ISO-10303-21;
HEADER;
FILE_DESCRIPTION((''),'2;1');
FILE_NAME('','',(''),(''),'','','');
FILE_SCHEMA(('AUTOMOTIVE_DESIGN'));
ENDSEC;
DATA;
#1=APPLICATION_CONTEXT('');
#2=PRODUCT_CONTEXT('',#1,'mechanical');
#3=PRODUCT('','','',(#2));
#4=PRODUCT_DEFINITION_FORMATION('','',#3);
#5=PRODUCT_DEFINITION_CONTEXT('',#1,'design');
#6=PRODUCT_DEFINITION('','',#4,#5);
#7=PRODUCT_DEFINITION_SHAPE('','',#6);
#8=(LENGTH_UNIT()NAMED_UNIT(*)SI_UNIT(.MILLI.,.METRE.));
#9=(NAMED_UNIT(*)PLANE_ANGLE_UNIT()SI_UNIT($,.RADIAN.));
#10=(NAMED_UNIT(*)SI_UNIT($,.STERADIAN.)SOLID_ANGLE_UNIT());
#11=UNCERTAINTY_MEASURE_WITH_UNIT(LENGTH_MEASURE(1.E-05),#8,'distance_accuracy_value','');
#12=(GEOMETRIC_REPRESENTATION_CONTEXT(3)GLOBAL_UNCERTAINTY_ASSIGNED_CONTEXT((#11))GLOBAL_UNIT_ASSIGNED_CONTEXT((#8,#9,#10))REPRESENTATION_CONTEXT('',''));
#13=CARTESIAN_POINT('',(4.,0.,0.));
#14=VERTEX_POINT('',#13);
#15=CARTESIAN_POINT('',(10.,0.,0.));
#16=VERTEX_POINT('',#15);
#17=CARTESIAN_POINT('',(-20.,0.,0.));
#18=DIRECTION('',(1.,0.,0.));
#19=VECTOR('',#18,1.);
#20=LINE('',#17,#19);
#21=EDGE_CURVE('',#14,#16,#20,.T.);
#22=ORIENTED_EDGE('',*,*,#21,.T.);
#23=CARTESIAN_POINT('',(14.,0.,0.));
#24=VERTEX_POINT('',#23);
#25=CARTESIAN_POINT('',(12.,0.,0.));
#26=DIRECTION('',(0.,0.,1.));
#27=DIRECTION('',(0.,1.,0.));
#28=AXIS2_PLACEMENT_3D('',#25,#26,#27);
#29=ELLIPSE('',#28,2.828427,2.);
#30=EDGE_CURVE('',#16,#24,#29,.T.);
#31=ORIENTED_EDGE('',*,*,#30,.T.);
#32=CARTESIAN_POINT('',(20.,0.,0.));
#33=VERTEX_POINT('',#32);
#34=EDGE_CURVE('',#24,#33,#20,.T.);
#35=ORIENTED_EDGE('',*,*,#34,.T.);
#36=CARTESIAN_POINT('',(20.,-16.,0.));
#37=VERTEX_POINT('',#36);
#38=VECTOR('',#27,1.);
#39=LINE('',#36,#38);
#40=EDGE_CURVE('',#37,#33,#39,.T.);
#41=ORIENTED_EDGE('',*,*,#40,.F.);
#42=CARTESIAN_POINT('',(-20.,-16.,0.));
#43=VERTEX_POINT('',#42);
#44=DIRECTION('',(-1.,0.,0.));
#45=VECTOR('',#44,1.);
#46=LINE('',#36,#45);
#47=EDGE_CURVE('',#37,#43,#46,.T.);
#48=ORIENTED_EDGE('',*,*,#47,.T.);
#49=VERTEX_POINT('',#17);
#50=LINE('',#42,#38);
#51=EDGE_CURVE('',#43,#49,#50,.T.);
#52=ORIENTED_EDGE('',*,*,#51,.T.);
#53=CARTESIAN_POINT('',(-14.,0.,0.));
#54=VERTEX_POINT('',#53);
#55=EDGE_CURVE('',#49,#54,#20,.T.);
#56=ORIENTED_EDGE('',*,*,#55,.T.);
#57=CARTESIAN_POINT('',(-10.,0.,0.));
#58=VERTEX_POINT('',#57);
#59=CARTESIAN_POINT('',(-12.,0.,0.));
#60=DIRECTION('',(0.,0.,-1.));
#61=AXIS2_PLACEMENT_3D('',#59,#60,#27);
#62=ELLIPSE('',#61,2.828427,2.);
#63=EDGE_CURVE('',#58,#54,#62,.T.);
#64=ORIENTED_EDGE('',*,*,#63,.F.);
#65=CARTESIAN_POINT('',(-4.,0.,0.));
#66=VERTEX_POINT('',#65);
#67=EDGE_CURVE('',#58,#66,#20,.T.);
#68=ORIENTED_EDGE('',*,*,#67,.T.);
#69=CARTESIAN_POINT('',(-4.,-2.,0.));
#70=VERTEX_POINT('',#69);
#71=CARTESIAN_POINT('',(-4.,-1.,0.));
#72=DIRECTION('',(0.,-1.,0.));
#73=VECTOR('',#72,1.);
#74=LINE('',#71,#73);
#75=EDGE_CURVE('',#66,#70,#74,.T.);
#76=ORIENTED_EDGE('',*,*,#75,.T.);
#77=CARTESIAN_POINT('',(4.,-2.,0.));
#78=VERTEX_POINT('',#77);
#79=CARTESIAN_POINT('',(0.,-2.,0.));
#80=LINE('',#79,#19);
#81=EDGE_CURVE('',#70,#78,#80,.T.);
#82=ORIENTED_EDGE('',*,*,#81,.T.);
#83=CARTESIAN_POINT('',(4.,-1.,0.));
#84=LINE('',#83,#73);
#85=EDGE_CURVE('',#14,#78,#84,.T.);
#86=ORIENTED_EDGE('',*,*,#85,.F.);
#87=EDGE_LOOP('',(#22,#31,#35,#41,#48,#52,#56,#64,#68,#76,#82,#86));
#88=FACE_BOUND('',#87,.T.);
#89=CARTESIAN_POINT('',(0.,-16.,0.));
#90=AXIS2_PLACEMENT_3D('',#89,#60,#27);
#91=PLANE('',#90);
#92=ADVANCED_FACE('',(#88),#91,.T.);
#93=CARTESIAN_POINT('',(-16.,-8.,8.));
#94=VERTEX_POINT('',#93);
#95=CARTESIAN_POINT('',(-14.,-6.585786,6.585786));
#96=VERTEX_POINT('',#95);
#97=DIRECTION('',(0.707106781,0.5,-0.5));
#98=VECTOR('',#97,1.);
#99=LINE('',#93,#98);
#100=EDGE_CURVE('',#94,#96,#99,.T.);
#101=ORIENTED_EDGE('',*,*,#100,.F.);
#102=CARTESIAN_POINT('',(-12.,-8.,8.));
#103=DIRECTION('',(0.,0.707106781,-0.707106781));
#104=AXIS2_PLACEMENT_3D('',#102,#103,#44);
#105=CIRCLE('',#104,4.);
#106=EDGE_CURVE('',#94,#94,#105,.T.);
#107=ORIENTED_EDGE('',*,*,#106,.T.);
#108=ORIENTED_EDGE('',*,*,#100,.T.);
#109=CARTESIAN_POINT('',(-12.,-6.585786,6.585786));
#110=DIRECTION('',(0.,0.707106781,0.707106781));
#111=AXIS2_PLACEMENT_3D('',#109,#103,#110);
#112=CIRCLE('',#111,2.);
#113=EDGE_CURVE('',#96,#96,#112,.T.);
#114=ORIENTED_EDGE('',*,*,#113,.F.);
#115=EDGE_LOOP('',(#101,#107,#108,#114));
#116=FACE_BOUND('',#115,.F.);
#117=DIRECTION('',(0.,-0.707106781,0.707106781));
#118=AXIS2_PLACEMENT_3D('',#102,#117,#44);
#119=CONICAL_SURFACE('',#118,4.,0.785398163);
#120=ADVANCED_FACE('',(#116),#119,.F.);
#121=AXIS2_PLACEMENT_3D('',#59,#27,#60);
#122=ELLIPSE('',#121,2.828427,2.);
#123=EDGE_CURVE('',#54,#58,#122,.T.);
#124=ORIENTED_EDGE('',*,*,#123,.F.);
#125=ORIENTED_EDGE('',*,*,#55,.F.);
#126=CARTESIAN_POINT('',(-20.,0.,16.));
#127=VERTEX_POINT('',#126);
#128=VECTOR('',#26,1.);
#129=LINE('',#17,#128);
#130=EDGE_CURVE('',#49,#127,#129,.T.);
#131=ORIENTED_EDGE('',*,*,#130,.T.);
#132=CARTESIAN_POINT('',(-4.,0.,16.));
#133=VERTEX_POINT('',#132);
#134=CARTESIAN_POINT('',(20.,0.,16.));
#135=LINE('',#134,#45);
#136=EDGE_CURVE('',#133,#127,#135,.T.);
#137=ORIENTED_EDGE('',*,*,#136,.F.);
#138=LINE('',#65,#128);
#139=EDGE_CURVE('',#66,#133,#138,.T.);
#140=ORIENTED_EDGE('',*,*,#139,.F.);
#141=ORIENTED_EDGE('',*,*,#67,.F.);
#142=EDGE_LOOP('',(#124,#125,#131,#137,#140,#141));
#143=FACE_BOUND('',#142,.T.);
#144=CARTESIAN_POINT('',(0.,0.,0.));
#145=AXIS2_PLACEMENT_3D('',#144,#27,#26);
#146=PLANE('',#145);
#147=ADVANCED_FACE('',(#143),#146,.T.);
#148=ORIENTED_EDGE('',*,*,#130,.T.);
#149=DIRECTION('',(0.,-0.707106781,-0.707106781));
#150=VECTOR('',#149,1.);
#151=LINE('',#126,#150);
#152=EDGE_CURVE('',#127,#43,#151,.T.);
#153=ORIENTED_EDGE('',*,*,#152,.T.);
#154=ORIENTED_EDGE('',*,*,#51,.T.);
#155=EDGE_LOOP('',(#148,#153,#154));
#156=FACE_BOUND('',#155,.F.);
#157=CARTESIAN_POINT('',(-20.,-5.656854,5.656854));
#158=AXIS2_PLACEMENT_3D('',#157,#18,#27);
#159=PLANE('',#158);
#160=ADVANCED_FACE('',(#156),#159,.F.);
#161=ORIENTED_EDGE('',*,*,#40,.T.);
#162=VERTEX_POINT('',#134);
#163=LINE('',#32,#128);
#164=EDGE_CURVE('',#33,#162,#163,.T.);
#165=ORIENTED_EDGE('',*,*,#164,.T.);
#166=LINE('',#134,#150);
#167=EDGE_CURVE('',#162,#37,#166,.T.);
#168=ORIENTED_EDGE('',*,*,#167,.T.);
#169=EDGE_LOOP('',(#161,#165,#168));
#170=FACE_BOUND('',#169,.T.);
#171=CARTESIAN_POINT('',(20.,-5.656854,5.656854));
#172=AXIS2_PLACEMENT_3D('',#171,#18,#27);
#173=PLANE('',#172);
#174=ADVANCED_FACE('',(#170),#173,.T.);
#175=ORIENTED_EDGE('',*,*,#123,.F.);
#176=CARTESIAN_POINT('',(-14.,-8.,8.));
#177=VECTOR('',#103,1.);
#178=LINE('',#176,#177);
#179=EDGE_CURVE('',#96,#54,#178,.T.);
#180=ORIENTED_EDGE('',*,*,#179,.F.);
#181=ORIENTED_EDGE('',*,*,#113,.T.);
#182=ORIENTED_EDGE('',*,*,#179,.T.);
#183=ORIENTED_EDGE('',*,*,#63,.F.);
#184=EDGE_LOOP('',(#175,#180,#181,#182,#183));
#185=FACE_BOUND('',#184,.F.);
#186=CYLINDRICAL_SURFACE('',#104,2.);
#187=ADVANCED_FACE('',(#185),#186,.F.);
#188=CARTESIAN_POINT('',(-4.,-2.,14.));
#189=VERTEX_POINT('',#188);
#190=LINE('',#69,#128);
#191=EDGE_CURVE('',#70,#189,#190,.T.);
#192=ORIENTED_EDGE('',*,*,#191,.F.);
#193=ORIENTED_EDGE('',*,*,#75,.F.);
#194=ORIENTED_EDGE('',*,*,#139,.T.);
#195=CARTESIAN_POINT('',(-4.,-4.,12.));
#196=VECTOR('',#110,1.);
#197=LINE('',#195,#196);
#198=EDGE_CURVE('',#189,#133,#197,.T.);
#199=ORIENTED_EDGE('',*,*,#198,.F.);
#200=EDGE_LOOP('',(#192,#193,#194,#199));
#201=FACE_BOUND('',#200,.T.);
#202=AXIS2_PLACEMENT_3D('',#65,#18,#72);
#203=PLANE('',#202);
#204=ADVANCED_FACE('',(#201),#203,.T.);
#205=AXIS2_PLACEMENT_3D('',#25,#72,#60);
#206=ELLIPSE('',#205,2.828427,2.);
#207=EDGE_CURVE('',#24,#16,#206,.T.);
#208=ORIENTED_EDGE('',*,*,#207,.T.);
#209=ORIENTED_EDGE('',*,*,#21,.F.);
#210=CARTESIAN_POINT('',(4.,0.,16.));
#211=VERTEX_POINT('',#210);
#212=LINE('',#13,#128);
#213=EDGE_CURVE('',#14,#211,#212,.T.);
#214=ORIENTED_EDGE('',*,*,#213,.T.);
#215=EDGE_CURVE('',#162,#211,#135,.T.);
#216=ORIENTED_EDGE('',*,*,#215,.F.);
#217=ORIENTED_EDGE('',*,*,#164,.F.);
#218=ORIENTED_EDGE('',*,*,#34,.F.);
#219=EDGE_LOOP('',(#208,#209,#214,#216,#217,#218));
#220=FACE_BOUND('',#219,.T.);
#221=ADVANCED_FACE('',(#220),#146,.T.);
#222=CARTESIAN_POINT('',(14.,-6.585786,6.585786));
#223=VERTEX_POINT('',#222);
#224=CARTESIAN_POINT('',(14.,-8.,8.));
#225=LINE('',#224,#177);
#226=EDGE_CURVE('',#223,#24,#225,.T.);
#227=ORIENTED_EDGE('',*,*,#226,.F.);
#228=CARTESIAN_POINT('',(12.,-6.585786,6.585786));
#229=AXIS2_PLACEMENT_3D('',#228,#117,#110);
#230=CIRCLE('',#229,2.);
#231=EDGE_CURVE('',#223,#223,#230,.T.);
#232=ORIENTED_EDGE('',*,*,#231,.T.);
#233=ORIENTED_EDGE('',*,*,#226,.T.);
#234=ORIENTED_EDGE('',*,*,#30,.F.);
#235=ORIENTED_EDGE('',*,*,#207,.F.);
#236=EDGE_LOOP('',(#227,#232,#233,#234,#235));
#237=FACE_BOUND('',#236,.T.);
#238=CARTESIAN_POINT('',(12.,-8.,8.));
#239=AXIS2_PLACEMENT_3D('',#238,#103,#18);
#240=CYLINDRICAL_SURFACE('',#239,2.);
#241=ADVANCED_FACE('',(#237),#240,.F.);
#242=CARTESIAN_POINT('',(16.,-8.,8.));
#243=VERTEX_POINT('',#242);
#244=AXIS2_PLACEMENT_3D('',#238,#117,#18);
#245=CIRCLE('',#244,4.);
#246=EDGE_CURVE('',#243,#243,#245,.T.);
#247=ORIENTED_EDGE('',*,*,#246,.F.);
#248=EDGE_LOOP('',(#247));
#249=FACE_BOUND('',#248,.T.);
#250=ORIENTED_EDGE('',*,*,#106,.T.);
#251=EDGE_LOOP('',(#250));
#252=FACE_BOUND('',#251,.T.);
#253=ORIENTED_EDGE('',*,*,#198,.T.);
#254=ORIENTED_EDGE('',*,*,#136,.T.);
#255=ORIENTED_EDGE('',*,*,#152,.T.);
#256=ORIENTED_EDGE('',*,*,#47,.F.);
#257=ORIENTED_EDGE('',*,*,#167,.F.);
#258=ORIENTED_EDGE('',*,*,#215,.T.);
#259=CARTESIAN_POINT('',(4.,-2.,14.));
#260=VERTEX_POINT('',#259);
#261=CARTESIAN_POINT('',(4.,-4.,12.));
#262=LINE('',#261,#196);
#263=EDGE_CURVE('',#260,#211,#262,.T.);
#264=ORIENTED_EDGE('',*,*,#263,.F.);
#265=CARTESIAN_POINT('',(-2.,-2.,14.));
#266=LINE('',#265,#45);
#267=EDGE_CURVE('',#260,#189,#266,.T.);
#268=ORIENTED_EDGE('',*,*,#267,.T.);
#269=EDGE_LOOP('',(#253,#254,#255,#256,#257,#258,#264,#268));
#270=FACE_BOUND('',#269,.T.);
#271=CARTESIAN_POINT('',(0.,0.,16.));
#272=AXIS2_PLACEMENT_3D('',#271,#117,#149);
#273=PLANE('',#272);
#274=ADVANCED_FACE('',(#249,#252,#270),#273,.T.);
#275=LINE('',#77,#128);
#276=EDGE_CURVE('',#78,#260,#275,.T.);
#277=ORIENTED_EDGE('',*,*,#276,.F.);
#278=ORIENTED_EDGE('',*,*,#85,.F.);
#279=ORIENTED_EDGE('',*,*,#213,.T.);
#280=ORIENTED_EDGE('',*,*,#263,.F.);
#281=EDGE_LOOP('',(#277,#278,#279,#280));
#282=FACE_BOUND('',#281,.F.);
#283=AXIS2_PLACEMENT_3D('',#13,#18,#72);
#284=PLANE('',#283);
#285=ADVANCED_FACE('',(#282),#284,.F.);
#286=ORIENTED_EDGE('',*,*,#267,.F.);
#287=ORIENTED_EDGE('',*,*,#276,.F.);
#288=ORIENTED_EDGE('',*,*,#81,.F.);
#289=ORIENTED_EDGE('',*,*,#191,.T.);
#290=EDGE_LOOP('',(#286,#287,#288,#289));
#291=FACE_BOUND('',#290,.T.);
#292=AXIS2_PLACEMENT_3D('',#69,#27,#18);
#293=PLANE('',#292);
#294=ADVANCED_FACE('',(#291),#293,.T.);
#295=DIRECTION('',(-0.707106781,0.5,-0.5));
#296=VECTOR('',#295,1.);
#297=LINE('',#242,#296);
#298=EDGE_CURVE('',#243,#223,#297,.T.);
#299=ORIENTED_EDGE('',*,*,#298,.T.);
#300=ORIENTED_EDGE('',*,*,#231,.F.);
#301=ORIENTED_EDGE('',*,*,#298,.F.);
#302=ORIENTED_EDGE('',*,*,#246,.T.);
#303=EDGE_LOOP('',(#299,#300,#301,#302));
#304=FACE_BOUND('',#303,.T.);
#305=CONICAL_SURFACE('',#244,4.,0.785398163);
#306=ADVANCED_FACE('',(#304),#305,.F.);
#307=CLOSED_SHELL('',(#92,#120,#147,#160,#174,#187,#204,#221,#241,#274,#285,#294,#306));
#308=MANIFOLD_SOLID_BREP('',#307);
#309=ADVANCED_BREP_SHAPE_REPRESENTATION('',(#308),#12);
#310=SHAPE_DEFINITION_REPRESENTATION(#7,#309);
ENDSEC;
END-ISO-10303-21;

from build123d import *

# Parameters (mm, degrees)
F2_DEPTH       = 20
F4_D           = 4
F4_CSINK_D     = 8
F4_CSINK_ANGLE = 90
F6_W           = 8
F6_H           = 2
F7_DEPTH       = 16.001


with BuildPart() as f2:
    # F1 (on Right) → F2 (new body, symmetric)
    with BuildSketch(Plane.YZ):
        Polygon((-16, 0), (0, 0), (0, 16), align=None)
    extrude(amount=F2_DEPTH, both=True)

    # F4 (through all)
    with Locations(Plane(origin=(0, -8, 8), x_dir=(1, 0, 0), z_dir=(0, -0.7071067812, 0.7071067812))):
        with Locations((-12, 0)):
            CounterSinkHole(F4_D / 2, F4_CSINK_D / 2, counter_sink_angle=F4_CSINK_ANGLE)

    # F5: F2 across plane


with BuildPart() as f2_1:
    add(f2.part)
    add(f2.part.mirror(Plane.YZ), mode=Mode.INTERSECT)

    # F6 (on face) → F7 (cut, through all)
    with BuildSketch(Plane(origin=(0, 0, 0), x_dir=(1, 0, 0), z_dir=(0, 0, -1))):
        with Locations((0, 1)):
            Rectangle(F6_W, F6_H)
    extrude(amount=-F7_DEPTH, mode=Mode.SUBTRACT)


solid = f2_1.part
